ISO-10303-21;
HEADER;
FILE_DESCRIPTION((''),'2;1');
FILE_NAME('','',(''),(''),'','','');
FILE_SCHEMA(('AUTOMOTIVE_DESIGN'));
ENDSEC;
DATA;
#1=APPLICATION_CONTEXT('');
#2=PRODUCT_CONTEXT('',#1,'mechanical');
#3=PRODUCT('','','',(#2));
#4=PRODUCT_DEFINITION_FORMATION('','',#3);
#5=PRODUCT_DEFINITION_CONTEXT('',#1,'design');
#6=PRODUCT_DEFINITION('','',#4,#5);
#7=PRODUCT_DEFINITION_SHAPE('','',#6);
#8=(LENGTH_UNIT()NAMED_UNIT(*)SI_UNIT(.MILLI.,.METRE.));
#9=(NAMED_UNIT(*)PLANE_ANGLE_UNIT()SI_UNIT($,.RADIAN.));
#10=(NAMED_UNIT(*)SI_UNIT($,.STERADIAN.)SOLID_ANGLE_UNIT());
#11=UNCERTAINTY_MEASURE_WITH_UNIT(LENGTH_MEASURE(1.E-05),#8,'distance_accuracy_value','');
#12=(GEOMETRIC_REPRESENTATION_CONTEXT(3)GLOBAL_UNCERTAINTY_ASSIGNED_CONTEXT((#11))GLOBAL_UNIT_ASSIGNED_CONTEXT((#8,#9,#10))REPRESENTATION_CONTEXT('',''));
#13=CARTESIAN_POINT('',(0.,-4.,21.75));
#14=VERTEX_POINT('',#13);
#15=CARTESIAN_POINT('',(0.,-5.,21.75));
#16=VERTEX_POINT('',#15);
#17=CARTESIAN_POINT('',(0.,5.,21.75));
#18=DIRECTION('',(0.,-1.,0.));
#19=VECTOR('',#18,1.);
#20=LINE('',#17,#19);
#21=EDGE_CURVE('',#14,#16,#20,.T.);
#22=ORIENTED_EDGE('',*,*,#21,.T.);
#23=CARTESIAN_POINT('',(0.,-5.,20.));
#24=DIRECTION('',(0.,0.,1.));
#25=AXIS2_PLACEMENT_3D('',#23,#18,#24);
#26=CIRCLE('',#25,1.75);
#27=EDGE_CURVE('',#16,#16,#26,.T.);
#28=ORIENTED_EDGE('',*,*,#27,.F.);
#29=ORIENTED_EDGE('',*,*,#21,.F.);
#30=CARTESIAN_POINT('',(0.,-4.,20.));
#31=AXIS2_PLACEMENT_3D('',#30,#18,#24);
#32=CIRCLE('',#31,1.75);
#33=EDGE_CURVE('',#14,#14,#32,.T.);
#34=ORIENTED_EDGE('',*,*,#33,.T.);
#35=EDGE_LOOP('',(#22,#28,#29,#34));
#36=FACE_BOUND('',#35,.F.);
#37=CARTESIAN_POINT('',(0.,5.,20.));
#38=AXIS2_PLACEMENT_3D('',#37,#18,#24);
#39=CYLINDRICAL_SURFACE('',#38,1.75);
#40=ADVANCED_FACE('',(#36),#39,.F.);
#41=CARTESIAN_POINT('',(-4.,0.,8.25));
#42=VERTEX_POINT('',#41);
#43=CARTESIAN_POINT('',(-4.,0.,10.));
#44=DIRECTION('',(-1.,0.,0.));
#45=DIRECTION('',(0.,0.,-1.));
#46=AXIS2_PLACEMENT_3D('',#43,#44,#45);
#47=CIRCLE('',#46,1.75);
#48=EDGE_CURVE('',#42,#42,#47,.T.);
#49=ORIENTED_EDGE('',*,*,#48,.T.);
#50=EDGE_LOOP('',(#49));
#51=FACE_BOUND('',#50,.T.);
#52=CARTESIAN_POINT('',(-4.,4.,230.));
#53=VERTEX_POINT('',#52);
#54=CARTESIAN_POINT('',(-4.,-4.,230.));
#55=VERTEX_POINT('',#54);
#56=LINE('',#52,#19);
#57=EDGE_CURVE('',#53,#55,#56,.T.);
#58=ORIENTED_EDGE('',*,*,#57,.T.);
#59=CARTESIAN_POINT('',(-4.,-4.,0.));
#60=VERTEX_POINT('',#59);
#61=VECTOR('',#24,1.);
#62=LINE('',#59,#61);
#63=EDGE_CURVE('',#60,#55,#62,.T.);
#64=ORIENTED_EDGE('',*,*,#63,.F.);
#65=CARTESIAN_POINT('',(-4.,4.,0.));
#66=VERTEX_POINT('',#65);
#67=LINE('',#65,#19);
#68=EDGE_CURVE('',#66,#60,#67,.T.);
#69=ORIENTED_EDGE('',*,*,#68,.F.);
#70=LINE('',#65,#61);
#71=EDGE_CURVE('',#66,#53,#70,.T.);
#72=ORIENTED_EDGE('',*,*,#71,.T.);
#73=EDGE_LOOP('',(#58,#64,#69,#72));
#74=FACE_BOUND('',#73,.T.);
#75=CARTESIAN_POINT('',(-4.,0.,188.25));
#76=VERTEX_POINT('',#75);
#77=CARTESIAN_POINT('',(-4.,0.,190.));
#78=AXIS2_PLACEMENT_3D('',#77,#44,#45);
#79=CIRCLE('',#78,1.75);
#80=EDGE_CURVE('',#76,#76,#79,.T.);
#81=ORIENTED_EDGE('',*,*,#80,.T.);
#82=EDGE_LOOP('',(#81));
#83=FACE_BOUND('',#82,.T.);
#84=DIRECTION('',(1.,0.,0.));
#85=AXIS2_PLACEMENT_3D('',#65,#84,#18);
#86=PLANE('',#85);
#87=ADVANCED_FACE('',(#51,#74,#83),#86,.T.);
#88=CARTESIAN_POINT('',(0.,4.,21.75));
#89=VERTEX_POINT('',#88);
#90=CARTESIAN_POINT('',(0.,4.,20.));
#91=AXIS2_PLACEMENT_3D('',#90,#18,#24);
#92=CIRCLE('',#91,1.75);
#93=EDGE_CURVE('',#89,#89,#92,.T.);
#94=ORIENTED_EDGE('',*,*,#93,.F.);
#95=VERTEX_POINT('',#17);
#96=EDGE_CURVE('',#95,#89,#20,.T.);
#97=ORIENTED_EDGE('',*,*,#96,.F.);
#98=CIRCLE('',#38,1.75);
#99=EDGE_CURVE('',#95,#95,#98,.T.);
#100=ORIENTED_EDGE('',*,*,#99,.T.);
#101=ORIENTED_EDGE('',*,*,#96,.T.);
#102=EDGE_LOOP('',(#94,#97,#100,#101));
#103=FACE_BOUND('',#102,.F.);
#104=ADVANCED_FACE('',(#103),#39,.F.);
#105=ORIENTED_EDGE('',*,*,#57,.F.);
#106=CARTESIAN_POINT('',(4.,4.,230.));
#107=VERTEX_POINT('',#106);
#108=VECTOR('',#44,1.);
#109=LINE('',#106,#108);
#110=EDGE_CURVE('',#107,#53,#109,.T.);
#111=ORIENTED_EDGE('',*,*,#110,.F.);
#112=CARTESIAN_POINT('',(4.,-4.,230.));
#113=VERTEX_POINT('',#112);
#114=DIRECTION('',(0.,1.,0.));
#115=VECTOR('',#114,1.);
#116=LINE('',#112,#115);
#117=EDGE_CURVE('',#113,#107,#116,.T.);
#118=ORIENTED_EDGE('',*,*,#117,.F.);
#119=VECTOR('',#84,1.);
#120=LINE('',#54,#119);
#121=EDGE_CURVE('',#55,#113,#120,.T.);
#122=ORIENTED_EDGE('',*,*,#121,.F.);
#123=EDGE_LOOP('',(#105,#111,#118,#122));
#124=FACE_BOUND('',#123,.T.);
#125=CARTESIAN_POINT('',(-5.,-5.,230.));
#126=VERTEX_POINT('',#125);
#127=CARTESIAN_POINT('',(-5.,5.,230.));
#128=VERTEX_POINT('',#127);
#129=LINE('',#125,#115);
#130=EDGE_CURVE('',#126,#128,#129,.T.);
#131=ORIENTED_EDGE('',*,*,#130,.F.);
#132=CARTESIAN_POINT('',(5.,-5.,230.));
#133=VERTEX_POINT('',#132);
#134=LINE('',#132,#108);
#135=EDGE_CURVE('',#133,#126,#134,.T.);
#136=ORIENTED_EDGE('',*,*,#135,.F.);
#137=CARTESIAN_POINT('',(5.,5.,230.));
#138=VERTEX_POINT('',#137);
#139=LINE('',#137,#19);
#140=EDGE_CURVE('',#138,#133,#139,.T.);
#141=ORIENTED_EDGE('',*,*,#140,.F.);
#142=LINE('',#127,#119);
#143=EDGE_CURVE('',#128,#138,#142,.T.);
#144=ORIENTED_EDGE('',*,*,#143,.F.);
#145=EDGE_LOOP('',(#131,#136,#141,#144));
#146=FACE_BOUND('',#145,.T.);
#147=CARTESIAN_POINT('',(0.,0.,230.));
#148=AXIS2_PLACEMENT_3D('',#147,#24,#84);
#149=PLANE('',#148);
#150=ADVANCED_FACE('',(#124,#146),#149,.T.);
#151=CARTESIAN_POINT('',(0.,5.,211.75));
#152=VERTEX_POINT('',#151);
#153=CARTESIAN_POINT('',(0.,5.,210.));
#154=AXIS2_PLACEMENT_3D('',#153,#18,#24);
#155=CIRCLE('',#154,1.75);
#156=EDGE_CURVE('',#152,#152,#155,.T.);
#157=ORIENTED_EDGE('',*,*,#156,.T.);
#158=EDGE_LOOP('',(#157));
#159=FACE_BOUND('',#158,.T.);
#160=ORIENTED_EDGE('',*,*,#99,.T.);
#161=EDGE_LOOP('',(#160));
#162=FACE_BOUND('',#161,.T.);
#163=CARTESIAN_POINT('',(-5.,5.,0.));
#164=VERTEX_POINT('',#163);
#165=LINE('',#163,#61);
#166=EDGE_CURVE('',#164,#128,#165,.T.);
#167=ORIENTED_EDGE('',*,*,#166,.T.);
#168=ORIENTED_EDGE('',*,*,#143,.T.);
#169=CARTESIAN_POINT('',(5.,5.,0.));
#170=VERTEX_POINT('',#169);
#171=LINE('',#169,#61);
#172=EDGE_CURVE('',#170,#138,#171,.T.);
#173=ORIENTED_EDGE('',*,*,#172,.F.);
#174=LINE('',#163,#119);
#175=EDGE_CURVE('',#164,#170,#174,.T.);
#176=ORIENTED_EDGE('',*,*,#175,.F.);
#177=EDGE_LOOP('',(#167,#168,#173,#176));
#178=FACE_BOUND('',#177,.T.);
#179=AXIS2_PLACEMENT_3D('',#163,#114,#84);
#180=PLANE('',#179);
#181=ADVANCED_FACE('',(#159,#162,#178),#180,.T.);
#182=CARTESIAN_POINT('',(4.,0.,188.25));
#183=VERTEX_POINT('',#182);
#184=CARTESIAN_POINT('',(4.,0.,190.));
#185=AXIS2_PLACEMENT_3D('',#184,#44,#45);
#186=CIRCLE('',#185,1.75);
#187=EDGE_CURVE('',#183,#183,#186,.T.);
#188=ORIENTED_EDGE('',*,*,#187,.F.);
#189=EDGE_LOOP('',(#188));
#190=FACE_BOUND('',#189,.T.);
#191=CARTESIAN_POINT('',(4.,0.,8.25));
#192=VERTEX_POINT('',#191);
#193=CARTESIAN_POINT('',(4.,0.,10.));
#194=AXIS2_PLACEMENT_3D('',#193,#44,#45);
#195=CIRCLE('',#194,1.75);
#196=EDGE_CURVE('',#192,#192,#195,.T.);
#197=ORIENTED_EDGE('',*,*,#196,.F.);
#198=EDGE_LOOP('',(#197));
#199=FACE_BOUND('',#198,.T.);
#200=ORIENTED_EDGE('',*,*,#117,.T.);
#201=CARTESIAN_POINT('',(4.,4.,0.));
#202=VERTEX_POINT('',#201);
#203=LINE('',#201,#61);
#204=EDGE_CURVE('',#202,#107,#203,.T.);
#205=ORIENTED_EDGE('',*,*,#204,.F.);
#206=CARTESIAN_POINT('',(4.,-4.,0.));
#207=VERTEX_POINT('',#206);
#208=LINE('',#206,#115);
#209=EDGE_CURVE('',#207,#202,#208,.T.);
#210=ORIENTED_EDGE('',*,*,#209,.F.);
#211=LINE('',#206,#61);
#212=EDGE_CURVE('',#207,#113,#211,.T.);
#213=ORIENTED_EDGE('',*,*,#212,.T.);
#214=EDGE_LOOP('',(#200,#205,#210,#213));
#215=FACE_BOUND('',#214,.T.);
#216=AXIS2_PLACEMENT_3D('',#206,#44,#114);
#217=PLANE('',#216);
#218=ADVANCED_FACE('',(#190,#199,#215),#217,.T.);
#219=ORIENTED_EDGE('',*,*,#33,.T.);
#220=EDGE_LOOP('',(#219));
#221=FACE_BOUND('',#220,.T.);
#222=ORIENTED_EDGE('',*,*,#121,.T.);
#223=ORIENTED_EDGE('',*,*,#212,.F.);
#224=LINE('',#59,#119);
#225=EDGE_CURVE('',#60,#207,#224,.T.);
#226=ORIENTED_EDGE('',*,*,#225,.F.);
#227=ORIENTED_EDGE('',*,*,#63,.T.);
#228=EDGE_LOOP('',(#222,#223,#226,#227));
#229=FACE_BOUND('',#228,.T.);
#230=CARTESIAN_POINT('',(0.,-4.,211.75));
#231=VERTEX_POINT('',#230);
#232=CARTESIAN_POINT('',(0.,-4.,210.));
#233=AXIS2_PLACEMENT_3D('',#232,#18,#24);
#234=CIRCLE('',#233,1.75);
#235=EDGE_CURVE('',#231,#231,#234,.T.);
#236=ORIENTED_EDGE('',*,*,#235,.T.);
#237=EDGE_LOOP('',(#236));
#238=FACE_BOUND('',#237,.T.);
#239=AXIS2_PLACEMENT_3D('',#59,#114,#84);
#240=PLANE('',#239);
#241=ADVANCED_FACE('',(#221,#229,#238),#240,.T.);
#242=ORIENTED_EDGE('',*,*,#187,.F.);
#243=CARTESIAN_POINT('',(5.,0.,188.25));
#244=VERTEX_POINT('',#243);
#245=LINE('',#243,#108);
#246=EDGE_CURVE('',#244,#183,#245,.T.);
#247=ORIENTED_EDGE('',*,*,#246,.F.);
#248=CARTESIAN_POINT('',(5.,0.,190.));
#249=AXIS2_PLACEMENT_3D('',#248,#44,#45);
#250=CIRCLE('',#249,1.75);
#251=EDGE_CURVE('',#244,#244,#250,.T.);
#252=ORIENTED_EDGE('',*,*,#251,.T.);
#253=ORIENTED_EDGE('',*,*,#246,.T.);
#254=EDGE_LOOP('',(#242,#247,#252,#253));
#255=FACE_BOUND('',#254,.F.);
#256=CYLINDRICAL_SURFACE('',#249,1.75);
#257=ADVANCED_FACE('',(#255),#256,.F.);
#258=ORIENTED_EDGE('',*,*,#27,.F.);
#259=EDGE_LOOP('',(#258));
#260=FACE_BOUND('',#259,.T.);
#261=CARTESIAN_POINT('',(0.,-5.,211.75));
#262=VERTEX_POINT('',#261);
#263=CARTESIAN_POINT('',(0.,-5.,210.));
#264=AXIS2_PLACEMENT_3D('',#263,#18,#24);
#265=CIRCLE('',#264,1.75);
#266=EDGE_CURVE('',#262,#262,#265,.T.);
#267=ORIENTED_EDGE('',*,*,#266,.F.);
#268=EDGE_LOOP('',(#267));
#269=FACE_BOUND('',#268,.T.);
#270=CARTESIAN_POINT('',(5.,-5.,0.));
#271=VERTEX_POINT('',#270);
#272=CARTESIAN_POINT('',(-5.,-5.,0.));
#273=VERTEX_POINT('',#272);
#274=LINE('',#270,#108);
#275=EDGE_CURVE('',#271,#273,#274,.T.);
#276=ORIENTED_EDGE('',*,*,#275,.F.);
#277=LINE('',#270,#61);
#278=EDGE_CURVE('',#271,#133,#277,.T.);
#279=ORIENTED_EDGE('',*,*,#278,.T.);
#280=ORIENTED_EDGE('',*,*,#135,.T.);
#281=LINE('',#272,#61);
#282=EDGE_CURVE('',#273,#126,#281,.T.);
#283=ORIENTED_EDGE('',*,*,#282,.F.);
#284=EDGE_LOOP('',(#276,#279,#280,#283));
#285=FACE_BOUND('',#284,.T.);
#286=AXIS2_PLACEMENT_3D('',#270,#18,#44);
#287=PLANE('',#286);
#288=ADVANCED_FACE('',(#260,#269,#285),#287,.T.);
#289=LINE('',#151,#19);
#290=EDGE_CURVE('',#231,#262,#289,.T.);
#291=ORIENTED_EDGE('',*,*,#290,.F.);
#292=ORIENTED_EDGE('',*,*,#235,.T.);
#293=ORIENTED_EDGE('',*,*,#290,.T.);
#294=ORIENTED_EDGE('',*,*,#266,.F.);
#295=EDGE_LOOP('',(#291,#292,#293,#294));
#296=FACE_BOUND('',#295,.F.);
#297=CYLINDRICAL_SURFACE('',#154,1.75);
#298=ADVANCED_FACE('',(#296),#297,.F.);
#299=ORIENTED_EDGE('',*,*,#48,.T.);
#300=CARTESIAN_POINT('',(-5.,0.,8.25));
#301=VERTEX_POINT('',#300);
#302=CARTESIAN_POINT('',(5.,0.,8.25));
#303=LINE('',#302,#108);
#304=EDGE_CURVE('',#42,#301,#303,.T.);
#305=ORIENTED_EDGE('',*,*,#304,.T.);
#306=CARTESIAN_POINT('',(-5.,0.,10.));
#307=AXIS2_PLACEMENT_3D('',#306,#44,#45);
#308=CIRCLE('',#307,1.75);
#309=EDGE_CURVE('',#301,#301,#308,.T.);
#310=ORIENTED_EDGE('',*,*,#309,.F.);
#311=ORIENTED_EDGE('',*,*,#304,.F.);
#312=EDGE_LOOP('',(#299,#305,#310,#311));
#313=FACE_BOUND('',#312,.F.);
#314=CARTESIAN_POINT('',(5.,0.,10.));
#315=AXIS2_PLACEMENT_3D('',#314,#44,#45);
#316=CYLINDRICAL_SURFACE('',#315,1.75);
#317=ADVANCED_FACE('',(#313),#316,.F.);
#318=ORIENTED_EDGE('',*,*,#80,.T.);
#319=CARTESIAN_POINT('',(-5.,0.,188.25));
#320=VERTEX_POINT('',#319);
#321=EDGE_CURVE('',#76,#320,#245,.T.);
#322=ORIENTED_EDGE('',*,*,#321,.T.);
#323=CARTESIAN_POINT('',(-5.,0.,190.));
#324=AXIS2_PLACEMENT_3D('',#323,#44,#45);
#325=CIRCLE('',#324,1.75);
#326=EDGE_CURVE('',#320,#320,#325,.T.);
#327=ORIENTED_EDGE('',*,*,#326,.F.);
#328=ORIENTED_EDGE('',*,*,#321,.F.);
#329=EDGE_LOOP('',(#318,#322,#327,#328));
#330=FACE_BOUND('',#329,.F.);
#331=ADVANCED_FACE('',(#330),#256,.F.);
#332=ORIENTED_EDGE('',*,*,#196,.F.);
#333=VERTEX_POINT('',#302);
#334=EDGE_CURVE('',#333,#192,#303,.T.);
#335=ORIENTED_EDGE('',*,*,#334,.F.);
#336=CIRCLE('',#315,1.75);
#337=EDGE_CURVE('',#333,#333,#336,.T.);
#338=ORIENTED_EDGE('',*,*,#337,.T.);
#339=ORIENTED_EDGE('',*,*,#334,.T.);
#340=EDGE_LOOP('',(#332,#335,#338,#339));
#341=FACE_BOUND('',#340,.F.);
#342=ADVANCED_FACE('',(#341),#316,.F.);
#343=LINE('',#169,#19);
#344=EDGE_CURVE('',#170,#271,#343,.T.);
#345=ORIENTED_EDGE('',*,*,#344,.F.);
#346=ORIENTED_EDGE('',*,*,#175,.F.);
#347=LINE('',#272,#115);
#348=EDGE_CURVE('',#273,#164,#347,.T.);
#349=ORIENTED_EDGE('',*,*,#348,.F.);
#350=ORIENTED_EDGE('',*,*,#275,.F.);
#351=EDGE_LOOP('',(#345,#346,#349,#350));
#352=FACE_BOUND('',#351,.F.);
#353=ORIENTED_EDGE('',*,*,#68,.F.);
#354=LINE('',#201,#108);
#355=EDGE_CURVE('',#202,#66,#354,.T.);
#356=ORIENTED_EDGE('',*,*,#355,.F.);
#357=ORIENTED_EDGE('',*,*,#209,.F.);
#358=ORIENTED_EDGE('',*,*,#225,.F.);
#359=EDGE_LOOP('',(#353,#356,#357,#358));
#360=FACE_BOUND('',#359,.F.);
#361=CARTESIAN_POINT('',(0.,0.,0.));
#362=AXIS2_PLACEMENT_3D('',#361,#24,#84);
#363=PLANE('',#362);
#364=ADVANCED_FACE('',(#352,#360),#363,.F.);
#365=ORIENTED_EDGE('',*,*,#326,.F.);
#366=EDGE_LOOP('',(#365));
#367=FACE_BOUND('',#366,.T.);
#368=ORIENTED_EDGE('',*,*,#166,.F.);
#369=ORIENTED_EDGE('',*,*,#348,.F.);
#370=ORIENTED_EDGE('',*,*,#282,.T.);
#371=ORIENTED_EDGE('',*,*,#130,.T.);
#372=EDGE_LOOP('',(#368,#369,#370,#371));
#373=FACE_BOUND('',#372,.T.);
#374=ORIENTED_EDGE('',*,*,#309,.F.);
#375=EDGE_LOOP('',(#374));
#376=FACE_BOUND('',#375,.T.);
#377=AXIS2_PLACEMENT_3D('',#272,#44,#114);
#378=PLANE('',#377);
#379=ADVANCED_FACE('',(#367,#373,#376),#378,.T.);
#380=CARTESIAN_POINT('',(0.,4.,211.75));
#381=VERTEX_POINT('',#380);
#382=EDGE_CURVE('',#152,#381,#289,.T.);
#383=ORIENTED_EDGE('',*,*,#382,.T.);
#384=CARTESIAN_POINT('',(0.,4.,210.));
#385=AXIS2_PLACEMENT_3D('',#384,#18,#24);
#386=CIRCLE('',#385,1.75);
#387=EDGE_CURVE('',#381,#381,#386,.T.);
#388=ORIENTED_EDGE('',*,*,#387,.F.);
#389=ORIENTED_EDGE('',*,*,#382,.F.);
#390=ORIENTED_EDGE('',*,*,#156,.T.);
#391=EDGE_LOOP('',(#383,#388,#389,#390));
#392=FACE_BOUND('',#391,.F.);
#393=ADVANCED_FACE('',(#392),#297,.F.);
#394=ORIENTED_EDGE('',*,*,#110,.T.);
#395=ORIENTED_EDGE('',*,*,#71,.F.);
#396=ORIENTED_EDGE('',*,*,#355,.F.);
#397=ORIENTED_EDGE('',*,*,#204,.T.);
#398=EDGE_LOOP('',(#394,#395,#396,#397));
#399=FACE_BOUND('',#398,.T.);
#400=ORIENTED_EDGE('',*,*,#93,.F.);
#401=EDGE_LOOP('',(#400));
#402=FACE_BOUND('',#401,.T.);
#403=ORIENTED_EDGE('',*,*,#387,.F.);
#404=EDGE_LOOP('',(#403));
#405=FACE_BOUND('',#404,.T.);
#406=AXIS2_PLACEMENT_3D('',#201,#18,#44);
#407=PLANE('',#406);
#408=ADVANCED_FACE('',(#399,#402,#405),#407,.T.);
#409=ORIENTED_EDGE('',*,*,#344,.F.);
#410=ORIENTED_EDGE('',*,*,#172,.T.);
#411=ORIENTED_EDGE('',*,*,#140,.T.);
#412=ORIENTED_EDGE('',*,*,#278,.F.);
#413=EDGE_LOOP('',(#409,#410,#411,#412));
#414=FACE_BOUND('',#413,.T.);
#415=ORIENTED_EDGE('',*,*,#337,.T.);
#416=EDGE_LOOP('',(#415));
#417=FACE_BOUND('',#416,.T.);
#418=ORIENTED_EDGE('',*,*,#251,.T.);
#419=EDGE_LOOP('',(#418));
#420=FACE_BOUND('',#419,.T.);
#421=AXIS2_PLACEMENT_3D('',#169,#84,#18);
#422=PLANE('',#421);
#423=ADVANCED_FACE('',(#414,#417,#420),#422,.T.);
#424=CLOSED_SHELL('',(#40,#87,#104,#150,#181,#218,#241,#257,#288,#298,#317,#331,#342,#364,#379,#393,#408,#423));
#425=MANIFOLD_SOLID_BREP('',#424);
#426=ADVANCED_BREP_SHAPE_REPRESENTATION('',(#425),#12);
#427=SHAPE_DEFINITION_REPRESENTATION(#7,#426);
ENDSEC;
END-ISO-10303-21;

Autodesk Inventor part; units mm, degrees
ref_plane "YZ Plane" through (0, 0, 0) normal (1, 0, 0) x (0, 1, 0)
ref_plane "XZ Plane" through (0, 0, 0) normal (0, 1, 0) x (-1, 0, 0)
ref_plane "XY Plane" through (0, 0, 0) normal (0, 0, 1) x (1, 0, 0)
sketch "スケッチ1" plane through (0, 0, 0) normal (0, 0, 1) x (1, 0, 0)
  line L0 (5, -5) -> (-5, -5)
  line L1 (-5, -5) -> (-5, 5)
  line L2 (-5, 5) -> (5, 5)
  line L3 (5, 5) -> (5, -5)
  line L4 (5, -5) -> (-5, 5) construction
  line L5 (-5, -5) -> (5, 5) construction
  line L6 (4, 4) -> (-4, 4)
  line L7 (-4, 4) -> (-4, -4)
  line L8 (-4, -4) -> (4, -4)
  line L9 (4, -4) -> (4, 4)
  point P0 (0, 0)
  dimension "d0" = 10
  dimension "d1" = 10
  dimension "d2" = 1
extrude "押し出し1" add sketch "スケッチ1" along normal blind 230
sketch "スケッチ2" plane through (5, -5, 0) normal (1, 0, 0) x (0, 0, -1)
  line L0 (0, 5) -> (-228.6606, 5)
  line L1 (0, 0) -> (0, 10) projected
  point P0 (-190, 5)
  point P1 (-10, 5)
  dimension "d5" = 180
  dimension "d6" = 10
hole "穴1" at (5, 0, 190) at (5, 0, 10) direction (-1, 0, 0) diameter 3.5 end through all
sketch "スケッチ3" plane through (-5, 5, 0) normal (0, 1, 0) x (1, 0, 0)
  line L0 (5, 0) -> (5, -230)
  line L1 (9, -230) -> (1, -230) projected
  line L2 (10, 0) -> (0, 0) projected
  point P0 (5, -210)
  point P1 (5, -20)
  dimension "d14" = 20
  dimension "d15" = 190
hole "穴2" at (0, 5, 210) at (0, 5, 20) direction (0, -1, 0) diameter 3.5 end through all
properties part number "small_kaku_1010_bridge"
